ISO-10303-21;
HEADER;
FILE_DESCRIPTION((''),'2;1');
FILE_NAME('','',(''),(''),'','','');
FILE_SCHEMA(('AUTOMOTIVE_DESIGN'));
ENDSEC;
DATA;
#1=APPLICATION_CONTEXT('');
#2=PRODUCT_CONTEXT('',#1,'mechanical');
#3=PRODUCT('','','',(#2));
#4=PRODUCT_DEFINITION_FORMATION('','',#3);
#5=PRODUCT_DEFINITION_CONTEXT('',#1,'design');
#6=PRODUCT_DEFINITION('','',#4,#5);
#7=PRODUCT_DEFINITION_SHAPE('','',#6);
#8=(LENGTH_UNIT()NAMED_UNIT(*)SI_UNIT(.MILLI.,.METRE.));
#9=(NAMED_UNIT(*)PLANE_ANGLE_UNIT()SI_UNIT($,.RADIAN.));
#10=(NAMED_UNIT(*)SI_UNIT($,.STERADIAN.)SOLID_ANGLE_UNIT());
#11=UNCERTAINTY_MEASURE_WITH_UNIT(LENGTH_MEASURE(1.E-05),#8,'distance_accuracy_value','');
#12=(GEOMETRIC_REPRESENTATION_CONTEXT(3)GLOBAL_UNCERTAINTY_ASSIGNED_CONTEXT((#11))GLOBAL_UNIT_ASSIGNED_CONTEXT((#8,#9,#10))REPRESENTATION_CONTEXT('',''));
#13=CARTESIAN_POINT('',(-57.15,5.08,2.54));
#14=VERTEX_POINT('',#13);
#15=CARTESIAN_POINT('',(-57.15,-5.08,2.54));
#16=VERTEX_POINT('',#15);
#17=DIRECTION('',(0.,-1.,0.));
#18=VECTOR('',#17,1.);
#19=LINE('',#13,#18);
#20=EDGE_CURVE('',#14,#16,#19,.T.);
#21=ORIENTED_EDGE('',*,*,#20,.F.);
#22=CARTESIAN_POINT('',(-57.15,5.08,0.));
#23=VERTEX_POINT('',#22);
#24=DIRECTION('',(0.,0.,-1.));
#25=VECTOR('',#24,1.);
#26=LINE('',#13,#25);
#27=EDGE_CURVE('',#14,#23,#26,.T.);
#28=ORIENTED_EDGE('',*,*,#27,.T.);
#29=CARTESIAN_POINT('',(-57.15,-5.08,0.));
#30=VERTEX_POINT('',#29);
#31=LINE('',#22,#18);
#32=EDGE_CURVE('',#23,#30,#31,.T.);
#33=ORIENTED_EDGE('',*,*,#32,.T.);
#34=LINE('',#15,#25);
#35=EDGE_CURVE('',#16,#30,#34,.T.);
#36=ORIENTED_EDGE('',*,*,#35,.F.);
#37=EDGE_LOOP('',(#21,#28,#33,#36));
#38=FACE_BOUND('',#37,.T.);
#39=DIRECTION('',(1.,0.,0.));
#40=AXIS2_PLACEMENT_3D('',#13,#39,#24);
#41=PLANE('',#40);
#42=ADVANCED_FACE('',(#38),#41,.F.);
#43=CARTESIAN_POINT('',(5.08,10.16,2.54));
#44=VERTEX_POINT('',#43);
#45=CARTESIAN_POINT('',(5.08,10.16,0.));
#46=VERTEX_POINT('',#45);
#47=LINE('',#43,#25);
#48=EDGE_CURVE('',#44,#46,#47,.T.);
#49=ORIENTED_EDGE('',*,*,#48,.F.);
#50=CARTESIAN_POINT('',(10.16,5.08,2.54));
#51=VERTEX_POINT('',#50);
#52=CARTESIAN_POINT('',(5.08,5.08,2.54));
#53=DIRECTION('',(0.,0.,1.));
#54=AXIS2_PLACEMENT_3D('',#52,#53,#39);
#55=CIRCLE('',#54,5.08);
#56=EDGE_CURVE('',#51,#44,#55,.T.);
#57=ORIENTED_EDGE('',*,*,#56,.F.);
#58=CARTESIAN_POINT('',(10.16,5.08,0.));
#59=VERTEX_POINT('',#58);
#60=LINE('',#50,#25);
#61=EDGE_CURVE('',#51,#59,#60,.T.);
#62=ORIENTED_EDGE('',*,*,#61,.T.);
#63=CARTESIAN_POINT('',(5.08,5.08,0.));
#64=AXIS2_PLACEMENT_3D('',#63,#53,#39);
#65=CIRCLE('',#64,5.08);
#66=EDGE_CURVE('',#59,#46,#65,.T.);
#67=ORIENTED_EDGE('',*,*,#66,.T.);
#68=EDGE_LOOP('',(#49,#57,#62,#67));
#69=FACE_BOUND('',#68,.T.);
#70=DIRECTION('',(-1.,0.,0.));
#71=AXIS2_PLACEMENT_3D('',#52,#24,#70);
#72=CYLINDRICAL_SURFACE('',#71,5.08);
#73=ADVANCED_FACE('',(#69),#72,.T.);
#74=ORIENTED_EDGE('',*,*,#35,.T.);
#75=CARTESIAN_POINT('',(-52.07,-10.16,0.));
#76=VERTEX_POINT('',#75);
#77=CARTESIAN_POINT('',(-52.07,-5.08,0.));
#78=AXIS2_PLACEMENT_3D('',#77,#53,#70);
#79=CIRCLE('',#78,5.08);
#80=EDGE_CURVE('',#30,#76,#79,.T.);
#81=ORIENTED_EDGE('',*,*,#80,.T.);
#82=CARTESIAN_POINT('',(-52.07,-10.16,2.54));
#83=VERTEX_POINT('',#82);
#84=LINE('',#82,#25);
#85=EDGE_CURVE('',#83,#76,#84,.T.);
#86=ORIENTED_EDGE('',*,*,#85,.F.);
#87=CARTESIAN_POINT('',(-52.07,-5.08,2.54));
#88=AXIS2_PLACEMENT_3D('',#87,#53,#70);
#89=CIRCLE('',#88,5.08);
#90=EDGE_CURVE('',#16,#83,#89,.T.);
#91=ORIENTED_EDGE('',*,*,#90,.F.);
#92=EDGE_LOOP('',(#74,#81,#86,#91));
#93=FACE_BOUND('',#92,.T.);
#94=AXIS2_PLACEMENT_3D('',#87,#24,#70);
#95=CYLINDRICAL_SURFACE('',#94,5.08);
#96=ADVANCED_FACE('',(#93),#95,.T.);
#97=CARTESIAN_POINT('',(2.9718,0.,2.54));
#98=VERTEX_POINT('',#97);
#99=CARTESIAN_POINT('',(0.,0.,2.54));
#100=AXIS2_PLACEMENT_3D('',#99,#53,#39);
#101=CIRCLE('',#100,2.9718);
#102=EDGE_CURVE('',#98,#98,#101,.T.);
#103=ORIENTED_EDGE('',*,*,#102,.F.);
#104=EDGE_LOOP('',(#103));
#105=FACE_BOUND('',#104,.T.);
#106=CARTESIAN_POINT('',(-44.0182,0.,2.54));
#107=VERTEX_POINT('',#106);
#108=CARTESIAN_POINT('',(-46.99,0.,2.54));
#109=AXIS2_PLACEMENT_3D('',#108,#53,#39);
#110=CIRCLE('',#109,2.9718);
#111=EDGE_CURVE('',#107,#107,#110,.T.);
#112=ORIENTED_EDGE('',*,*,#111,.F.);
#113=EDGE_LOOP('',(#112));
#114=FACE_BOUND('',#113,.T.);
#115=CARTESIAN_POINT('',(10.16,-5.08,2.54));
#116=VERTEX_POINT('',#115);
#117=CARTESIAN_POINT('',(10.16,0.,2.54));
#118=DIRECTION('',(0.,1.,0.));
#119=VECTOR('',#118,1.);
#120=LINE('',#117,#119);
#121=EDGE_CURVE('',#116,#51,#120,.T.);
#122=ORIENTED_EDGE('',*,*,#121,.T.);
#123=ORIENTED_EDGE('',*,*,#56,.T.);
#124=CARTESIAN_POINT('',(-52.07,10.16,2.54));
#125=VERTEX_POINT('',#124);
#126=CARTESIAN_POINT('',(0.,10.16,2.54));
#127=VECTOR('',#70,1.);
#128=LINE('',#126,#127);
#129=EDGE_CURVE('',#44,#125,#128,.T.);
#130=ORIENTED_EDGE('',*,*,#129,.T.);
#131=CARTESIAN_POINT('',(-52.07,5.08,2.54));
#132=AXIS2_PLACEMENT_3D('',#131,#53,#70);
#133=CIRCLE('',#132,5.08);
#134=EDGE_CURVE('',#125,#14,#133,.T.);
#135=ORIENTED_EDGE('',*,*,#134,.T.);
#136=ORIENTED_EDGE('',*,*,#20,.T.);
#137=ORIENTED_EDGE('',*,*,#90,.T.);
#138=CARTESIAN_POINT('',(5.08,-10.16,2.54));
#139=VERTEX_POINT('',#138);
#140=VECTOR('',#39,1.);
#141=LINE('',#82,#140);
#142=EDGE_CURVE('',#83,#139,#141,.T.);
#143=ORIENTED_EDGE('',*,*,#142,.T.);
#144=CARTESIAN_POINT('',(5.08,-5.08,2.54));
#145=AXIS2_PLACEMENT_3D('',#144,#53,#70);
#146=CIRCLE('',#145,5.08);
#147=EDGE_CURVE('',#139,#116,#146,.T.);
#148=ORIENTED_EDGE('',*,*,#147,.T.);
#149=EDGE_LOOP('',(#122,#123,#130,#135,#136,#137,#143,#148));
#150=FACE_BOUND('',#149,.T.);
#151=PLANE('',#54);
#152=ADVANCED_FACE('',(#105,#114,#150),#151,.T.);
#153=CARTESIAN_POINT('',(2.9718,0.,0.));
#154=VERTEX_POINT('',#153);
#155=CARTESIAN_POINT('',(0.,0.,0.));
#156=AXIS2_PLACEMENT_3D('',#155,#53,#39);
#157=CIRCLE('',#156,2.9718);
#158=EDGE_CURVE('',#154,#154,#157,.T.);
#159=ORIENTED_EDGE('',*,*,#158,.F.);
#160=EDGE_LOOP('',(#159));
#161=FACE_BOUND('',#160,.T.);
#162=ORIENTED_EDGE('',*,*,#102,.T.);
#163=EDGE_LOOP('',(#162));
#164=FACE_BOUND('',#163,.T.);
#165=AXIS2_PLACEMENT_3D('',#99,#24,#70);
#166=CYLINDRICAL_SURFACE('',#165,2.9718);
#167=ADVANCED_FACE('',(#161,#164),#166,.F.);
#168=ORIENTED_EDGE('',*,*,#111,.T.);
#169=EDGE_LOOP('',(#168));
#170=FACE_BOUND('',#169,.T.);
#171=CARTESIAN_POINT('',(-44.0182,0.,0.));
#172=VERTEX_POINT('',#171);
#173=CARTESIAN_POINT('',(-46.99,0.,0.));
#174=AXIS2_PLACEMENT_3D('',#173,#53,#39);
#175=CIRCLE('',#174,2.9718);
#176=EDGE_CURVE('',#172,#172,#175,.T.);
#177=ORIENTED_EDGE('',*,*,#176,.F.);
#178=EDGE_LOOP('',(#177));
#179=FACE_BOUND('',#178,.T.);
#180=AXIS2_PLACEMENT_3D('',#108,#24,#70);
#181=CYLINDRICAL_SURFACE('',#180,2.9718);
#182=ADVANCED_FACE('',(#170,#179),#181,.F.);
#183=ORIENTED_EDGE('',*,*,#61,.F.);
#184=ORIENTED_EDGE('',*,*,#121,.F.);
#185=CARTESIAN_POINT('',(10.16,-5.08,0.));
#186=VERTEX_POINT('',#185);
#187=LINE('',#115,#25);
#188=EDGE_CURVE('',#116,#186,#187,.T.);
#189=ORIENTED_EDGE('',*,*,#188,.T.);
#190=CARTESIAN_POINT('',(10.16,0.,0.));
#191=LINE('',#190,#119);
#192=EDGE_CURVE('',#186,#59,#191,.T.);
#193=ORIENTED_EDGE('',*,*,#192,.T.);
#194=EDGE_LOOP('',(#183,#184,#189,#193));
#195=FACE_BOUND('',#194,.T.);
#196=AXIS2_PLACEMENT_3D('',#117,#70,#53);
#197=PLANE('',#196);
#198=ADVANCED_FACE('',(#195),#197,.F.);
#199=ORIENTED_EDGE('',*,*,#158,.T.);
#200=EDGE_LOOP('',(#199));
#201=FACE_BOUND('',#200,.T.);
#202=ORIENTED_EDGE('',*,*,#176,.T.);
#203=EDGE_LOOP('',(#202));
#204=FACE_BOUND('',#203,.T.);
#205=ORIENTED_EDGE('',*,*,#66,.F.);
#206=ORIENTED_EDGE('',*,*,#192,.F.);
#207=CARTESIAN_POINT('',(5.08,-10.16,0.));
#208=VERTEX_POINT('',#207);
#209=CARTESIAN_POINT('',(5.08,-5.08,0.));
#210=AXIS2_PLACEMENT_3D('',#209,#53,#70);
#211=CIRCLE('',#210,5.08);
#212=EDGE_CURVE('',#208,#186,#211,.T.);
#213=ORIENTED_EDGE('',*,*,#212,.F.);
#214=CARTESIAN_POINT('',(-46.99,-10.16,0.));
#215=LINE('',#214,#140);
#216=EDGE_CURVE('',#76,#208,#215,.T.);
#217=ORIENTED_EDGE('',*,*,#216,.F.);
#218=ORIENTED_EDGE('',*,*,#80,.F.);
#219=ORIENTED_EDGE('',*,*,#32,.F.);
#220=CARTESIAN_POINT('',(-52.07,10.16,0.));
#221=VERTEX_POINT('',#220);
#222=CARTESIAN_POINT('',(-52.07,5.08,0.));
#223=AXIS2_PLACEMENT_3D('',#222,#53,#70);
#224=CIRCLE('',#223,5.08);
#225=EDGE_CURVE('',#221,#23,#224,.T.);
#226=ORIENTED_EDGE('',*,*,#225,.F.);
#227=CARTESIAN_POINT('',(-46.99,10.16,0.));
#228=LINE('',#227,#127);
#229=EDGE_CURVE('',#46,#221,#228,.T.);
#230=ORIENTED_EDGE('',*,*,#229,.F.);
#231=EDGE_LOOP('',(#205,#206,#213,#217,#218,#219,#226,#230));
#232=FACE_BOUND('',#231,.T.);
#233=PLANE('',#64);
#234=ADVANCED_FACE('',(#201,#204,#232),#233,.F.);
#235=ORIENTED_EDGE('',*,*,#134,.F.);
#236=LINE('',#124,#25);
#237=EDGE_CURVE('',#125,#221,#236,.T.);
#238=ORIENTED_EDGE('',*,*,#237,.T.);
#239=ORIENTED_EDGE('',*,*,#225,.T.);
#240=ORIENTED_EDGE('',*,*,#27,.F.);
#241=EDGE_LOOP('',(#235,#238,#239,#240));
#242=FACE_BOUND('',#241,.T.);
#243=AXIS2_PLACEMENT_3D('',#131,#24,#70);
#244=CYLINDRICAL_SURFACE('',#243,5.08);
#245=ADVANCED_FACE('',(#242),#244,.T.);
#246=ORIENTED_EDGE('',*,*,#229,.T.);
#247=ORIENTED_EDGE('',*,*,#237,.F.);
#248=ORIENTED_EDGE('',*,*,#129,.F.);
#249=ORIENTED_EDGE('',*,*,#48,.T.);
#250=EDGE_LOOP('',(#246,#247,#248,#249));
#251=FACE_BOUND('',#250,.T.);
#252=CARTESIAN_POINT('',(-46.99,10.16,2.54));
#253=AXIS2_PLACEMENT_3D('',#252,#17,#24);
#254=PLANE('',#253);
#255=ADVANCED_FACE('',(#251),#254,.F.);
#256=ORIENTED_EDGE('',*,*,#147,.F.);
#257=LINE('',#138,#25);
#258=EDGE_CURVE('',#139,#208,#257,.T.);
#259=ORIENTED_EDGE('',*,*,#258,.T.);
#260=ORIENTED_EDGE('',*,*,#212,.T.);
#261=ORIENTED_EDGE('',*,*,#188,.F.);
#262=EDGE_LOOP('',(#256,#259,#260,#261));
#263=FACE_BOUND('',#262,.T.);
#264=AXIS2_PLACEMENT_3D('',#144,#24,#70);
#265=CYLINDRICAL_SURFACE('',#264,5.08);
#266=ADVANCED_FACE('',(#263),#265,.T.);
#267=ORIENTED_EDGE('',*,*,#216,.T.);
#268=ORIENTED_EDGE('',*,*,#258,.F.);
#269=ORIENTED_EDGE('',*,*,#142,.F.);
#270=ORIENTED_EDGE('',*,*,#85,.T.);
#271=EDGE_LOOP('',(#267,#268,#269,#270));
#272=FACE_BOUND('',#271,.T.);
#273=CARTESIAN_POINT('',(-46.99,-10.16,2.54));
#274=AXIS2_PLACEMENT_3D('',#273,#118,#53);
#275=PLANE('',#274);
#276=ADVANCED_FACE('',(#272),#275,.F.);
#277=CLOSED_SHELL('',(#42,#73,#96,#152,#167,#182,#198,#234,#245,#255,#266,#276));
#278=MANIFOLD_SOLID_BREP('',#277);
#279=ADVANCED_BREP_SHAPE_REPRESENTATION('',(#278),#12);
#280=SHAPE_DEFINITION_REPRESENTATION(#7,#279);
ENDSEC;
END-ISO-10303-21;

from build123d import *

# Parameters (mm, degrees)
SKETCH1_R           = 2.9718
BOSS_EXTRUDE1_DEPTH = 2.54


with BuildPart() as part:
    # Sketch1 → Boss-Extrude1 (new body)
    with BuildSketch(Plane.XY):
        with BuildLine():
            Line((-46.99, 10.16), (0, 10.16))
            Line((0, 10.16), (5.08, 10.16))
            ThreePointArc((5.08, 10.16), (8.672102448, 8.672102448), (10.16, 5.08))
            Line((10.16, 5.08), (10.16, 0))
            Line((10.16, 0), (10.16, -5.08))
            ThreePointArc((10.16, -5.08), (8.672102448, -8.672102448), (5.08, -10.16))
            Line((5.08, -10.16), (-46.99, -10.16))
            Line((-46.99, -10.16), (-52.07, -10.16))
            ThreePointArc((-52.07, -10.16), (-55.662102448, -8.672102448), (-57.15, -5.08))
            Line((-57.15, -5.08), (-57.15, 5.08))
            ThreePointArc((-57.15, 5.08), (-55.662102448, 8.672102448), (-52.07, 10.16))
            Line((-52.07, 10.16), (-46.99, 10.16))
        make_face()
        Circle(SKETCH1_R, mode=Mode.SUBTRACT)
        with Locations((-46.99, 0)):
            Circle(SKETCH1_R, mode=Mode.SUBTRACT)
    extrude(amount=BOSS_EXTRUDE1_DEPTH)


solid = part.part
